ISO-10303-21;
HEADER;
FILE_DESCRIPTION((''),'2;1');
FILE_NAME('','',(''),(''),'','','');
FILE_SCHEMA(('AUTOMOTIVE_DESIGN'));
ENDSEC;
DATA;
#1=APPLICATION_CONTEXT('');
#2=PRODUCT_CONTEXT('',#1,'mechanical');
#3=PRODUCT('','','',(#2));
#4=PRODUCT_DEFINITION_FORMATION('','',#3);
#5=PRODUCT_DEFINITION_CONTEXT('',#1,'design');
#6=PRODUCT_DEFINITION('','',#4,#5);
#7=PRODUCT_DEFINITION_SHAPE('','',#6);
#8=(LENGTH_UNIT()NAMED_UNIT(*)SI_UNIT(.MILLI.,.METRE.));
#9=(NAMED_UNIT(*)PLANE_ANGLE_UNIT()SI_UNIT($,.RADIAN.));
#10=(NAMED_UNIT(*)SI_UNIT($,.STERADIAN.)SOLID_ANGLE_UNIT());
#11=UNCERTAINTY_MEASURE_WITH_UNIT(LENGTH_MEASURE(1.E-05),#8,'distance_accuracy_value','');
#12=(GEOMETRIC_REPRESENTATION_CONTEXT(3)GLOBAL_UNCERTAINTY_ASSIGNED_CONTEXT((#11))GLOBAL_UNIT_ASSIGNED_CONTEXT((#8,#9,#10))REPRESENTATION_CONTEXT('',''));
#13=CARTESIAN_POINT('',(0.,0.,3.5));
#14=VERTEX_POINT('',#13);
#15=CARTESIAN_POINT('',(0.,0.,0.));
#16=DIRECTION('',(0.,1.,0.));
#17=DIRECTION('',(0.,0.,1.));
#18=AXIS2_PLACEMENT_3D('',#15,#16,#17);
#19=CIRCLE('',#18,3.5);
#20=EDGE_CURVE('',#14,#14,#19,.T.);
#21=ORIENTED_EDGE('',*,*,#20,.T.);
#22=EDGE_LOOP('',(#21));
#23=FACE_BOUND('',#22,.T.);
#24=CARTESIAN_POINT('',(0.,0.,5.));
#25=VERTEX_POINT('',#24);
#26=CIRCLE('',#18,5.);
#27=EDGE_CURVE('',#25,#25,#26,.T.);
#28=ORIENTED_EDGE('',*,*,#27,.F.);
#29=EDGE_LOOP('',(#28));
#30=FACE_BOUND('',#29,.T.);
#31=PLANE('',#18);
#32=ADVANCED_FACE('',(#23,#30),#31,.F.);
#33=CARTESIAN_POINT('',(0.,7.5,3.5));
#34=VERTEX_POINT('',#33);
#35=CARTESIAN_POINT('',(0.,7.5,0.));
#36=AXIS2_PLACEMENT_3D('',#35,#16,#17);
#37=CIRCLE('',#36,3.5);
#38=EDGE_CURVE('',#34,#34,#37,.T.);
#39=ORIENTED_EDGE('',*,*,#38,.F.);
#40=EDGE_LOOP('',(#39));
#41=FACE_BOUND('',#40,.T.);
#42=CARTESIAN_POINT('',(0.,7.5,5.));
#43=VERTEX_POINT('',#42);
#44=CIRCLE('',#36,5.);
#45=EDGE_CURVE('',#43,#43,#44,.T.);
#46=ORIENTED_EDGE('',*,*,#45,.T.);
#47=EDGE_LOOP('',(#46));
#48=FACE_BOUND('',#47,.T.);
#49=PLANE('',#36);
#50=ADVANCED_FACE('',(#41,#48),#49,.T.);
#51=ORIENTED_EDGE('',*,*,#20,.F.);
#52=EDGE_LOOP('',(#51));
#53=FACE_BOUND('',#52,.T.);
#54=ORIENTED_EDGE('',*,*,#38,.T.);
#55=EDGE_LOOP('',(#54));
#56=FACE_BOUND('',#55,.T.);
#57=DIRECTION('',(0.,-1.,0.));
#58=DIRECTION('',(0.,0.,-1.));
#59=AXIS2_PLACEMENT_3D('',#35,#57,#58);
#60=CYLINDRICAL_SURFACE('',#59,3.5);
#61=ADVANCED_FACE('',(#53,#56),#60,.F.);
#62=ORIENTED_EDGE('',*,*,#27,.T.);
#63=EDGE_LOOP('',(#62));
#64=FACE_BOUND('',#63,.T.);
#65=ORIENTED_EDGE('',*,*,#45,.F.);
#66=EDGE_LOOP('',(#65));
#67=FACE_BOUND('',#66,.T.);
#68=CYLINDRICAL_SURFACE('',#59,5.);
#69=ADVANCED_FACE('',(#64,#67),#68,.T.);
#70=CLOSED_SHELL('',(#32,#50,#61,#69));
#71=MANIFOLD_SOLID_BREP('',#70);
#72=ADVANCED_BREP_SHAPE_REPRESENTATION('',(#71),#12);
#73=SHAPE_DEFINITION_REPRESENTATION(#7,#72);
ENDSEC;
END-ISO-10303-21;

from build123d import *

# Parameters (mm, degrees)
SKETCH1_R           = 5
SKETCH1_R_2         = 3.5
BOSS_EXTRUDE1_DEPTH = 7.5


with BuildPart() as part:
    # Sketch1 → Boss-Extrude1 (new body)
    with BuildSketch(Plane(origin=(0, 0, 0), x_dir=(1, 0, 0), z_dir=(0, 1, 0))):
        Circle(SKETCH1_R)
        Circle(SKETCH1_R_2, mode=Mode.SUBTRACT)
    extrude(amount=BOSS_EXTRUDE1_DEPTH)


solid = part.part
